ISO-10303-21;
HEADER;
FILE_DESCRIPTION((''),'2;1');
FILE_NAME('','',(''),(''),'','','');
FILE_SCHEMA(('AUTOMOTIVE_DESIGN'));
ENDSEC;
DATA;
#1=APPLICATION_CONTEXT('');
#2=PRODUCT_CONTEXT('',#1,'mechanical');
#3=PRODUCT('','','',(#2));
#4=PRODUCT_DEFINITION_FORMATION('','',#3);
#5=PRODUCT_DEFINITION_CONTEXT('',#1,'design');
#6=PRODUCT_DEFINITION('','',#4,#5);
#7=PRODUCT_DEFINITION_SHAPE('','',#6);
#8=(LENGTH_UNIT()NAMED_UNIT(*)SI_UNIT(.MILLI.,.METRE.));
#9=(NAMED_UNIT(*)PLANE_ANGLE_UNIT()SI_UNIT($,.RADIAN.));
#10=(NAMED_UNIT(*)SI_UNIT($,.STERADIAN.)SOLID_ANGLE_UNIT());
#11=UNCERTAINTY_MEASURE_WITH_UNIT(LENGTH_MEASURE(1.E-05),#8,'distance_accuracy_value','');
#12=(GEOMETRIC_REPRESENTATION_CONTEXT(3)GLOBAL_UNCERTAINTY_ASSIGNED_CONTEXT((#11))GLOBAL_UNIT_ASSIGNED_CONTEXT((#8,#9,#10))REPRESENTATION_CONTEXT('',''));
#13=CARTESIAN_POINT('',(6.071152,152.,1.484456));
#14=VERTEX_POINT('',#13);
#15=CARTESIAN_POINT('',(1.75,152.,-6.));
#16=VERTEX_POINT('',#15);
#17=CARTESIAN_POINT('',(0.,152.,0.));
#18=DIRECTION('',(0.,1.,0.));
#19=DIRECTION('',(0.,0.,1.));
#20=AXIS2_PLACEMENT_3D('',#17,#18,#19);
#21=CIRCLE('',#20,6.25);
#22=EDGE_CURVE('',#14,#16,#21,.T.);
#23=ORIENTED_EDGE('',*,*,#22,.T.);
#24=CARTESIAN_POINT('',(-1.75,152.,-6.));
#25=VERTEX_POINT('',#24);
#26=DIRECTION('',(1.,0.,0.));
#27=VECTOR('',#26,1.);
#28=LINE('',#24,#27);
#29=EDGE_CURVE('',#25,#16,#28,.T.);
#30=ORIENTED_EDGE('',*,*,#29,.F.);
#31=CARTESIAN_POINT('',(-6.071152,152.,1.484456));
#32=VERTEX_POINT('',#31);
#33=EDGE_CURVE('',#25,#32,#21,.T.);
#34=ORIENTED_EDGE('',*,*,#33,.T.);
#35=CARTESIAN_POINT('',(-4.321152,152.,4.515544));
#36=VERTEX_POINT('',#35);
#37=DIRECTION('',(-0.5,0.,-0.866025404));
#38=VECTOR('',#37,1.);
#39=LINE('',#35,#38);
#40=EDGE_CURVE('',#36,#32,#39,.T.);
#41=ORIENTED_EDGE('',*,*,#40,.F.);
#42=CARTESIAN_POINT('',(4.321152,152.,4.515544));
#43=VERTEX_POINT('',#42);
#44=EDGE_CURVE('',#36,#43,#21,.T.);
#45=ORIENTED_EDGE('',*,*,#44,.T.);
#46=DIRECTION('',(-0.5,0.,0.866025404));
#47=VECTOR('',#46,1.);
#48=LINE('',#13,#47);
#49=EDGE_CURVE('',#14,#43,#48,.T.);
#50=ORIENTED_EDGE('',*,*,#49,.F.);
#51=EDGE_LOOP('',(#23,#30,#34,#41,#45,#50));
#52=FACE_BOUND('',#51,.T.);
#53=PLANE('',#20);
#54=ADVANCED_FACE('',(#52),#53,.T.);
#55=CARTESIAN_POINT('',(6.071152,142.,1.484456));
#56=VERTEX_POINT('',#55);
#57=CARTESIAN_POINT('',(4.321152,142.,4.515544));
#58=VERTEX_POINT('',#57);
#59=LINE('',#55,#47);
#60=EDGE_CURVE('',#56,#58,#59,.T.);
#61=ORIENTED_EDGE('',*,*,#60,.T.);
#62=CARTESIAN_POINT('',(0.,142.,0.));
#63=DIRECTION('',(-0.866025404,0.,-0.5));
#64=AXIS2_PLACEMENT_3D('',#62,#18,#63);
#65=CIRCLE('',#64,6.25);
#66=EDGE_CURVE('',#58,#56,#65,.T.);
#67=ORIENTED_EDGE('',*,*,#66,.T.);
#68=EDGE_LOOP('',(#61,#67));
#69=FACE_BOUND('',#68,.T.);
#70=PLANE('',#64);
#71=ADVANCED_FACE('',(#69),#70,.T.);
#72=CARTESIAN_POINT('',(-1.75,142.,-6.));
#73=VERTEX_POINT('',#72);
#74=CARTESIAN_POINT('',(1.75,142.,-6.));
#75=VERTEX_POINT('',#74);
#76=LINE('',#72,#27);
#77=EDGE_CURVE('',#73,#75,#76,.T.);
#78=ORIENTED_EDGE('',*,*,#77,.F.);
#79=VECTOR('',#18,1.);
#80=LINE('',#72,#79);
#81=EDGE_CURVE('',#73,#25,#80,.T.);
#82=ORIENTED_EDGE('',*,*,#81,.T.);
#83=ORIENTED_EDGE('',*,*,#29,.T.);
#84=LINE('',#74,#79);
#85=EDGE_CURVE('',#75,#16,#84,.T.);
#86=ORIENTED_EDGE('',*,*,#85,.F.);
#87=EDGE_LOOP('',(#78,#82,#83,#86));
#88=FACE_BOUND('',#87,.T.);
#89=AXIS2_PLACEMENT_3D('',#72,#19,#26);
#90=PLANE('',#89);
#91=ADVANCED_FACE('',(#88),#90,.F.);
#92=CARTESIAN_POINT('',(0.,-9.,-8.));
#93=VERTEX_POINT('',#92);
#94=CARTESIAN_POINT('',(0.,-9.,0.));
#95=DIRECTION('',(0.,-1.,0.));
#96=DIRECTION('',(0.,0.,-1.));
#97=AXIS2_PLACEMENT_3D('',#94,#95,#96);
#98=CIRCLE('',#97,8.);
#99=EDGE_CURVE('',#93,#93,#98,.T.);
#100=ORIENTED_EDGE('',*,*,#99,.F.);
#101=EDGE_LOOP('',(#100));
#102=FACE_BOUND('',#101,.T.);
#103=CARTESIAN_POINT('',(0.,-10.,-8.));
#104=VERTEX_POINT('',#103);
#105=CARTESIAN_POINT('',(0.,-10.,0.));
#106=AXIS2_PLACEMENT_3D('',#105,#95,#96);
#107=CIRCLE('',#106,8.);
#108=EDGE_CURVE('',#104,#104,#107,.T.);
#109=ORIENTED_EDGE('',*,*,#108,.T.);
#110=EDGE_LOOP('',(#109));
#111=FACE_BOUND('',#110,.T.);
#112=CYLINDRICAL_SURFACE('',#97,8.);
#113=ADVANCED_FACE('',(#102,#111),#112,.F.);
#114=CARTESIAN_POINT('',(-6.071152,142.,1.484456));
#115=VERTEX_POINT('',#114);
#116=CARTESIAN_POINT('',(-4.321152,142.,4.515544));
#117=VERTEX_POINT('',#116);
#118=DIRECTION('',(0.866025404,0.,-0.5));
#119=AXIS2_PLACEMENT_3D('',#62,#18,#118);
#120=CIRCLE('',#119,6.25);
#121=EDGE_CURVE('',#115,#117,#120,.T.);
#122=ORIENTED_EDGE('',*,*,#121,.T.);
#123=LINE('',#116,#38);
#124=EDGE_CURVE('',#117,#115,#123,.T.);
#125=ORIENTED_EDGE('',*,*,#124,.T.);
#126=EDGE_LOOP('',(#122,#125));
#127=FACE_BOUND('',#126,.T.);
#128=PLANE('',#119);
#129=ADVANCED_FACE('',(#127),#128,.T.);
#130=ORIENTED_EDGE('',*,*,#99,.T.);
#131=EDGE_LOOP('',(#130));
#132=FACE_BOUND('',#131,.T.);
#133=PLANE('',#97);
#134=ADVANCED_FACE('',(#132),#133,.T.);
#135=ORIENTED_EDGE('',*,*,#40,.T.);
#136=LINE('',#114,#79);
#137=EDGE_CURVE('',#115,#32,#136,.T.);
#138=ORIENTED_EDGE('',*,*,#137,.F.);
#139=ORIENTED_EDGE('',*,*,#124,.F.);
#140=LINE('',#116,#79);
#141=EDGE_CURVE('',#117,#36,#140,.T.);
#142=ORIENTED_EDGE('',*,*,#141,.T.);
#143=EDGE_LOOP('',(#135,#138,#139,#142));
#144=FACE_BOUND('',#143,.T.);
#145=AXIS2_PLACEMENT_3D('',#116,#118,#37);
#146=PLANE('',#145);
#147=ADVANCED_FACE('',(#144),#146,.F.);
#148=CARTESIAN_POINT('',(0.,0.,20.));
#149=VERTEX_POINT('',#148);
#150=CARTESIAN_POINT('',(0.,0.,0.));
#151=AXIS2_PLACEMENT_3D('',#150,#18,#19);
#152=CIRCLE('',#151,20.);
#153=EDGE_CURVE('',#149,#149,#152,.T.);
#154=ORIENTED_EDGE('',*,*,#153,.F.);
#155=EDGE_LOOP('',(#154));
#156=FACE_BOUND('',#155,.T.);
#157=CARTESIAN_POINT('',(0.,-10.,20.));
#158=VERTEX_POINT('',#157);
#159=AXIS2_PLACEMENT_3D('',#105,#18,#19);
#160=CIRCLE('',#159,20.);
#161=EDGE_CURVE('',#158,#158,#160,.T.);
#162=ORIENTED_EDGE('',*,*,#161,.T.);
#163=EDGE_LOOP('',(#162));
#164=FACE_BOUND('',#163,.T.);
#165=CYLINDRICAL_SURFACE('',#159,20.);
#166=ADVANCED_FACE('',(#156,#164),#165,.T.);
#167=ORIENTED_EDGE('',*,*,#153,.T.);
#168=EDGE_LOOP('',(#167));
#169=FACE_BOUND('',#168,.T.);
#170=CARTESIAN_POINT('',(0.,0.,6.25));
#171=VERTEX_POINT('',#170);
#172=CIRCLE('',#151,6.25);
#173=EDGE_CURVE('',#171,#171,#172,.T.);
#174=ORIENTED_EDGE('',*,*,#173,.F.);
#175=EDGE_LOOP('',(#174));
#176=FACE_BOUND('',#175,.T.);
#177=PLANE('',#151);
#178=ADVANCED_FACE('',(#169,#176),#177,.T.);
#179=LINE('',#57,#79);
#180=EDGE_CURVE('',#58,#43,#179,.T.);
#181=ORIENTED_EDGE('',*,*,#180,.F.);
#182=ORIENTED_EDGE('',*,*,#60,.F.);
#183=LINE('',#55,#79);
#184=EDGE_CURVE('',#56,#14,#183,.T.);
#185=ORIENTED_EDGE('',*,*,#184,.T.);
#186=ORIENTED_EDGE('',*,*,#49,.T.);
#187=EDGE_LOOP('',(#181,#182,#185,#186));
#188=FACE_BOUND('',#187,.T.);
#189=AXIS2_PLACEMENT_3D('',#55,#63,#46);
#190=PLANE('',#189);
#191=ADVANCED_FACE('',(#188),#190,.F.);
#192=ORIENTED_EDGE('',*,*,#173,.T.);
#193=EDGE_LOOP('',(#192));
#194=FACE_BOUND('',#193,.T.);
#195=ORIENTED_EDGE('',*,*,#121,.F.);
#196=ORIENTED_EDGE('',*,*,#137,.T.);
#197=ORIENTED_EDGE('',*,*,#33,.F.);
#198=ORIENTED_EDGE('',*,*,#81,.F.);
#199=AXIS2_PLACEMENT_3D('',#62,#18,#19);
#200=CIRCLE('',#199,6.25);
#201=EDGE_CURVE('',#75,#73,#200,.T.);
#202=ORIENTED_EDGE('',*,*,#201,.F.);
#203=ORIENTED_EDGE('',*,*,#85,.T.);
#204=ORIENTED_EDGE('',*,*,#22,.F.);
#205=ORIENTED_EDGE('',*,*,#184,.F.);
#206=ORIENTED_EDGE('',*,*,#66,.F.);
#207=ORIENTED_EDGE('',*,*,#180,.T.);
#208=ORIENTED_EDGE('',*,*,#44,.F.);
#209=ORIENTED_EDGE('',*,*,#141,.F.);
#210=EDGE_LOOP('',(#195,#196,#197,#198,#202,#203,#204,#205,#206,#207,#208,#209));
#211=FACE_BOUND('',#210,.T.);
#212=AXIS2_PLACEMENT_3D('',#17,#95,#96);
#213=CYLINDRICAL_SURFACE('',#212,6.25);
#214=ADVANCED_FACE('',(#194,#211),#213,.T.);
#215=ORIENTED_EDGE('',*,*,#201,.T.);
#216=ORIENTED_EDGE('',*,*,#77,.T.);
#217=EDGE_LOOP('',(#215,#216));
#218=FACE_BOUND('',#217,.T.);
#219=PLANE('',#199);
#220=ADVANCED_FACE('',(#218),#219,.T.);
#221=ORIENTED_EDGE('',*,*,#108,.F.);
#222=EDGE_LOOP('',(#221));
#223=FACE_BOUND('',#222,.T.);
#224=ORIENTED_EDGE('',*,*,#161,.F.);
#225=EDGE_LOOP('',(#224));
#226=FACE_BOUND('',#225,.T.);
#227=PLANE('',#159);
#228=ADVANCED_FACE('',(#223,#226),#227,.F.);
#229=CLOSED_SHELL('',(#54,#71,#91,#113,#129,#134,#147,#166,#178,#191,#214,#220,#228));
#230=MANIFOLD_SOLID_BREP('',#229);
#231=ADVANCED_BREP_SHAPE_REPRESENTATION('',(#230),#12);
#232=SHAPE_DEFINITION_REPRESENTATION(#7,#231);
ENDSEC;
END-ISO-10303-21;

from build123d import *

# Parameters (mm, degrees)
SKETCH1_R           = 20
BOSS_EXTRUDE1_DEPTH = 10
SKETCH2_R           = 6.25
BOSS_EXTRUDE2_DEPTH = 152
CUT_EXTRUDE2_START  = -10
CUT_EXTRUDE2_DEPTH  = 10
CIRPATTERN1_COUNT   = 3
SKETCH8_R           = 8
CUT_EXTRUDE3_DEPTH  = 1


with BuildPart() as part:
    # Sketch1 → Boss-Extrude1 (new body)
    with BuildSketch(Plane(origin=(0, 0, 0), x_dir=(1, 0, 0), z_dir=(0, 1, 0))):
        with Locations(Location((0, 0, 0), (0, 0, 270))):
            Circle(SKETCH1_R)
    extrude(amount=-BOSS_EXTRUDE1_DEPTH)

    # Sketch2 → Boss-Extrude2 (add)
    with BuildSketch(Plane(origin=(0, 0, 0), x_dir=(1, 0, 0), z_dir=(0, 1, 0))):
        with Locations(Location((0, 0, 0), (0, 0, 270))):
            Circle(SKETCH2_R)
    extrude(amount=BOSS_EXTRUDE2_DEPTH)

    # Sketch7 → Cut-Extrude2 (cut)
    with BuildSketch(Plane(origin=(0, 152, 0), x_dir=(1, 0, 0), z_dir=(0, 1, 0)).offset(CUT_EXTRUDE2_START)):
        with BuildLine():
            Line((-1.75, 6), (1.75, 6))
            ThreePointArc((1.75, 6), (0, 6.25), (-1.75, 6))
        make_face()
    cut_extrude2 = extrude(amount=CUT_EXTRUDE2_DEPTH, mode=Mode.SUBTRACT)

    # CirPattern1: Cut-Extrude2 ×3 about axis
    cirpattern1_axis = Axis((0, 0, 0), (0, 1, 0))
    for i in range(1, CIRPATTERN1_COUNT):
        add(cut_extrude2.rotate(cirpattern1_axis, i * 360 / CIRPATTERN1_COUNT), mode=Mode.SUBTRACT)

    # Sketch8 → Cut-Extrude3 (cut)
    with BuildSketch(Plane.XZ.offset(10)):
        with Locations(Location((0, 0, 0), (0, 0, 270))):
            Circle(SKETCH8_R)
    extrude(amount=-CUT_EXTRUDE3_DEPTH, mode=Mode.SUBTRACT)


solid = part.part
